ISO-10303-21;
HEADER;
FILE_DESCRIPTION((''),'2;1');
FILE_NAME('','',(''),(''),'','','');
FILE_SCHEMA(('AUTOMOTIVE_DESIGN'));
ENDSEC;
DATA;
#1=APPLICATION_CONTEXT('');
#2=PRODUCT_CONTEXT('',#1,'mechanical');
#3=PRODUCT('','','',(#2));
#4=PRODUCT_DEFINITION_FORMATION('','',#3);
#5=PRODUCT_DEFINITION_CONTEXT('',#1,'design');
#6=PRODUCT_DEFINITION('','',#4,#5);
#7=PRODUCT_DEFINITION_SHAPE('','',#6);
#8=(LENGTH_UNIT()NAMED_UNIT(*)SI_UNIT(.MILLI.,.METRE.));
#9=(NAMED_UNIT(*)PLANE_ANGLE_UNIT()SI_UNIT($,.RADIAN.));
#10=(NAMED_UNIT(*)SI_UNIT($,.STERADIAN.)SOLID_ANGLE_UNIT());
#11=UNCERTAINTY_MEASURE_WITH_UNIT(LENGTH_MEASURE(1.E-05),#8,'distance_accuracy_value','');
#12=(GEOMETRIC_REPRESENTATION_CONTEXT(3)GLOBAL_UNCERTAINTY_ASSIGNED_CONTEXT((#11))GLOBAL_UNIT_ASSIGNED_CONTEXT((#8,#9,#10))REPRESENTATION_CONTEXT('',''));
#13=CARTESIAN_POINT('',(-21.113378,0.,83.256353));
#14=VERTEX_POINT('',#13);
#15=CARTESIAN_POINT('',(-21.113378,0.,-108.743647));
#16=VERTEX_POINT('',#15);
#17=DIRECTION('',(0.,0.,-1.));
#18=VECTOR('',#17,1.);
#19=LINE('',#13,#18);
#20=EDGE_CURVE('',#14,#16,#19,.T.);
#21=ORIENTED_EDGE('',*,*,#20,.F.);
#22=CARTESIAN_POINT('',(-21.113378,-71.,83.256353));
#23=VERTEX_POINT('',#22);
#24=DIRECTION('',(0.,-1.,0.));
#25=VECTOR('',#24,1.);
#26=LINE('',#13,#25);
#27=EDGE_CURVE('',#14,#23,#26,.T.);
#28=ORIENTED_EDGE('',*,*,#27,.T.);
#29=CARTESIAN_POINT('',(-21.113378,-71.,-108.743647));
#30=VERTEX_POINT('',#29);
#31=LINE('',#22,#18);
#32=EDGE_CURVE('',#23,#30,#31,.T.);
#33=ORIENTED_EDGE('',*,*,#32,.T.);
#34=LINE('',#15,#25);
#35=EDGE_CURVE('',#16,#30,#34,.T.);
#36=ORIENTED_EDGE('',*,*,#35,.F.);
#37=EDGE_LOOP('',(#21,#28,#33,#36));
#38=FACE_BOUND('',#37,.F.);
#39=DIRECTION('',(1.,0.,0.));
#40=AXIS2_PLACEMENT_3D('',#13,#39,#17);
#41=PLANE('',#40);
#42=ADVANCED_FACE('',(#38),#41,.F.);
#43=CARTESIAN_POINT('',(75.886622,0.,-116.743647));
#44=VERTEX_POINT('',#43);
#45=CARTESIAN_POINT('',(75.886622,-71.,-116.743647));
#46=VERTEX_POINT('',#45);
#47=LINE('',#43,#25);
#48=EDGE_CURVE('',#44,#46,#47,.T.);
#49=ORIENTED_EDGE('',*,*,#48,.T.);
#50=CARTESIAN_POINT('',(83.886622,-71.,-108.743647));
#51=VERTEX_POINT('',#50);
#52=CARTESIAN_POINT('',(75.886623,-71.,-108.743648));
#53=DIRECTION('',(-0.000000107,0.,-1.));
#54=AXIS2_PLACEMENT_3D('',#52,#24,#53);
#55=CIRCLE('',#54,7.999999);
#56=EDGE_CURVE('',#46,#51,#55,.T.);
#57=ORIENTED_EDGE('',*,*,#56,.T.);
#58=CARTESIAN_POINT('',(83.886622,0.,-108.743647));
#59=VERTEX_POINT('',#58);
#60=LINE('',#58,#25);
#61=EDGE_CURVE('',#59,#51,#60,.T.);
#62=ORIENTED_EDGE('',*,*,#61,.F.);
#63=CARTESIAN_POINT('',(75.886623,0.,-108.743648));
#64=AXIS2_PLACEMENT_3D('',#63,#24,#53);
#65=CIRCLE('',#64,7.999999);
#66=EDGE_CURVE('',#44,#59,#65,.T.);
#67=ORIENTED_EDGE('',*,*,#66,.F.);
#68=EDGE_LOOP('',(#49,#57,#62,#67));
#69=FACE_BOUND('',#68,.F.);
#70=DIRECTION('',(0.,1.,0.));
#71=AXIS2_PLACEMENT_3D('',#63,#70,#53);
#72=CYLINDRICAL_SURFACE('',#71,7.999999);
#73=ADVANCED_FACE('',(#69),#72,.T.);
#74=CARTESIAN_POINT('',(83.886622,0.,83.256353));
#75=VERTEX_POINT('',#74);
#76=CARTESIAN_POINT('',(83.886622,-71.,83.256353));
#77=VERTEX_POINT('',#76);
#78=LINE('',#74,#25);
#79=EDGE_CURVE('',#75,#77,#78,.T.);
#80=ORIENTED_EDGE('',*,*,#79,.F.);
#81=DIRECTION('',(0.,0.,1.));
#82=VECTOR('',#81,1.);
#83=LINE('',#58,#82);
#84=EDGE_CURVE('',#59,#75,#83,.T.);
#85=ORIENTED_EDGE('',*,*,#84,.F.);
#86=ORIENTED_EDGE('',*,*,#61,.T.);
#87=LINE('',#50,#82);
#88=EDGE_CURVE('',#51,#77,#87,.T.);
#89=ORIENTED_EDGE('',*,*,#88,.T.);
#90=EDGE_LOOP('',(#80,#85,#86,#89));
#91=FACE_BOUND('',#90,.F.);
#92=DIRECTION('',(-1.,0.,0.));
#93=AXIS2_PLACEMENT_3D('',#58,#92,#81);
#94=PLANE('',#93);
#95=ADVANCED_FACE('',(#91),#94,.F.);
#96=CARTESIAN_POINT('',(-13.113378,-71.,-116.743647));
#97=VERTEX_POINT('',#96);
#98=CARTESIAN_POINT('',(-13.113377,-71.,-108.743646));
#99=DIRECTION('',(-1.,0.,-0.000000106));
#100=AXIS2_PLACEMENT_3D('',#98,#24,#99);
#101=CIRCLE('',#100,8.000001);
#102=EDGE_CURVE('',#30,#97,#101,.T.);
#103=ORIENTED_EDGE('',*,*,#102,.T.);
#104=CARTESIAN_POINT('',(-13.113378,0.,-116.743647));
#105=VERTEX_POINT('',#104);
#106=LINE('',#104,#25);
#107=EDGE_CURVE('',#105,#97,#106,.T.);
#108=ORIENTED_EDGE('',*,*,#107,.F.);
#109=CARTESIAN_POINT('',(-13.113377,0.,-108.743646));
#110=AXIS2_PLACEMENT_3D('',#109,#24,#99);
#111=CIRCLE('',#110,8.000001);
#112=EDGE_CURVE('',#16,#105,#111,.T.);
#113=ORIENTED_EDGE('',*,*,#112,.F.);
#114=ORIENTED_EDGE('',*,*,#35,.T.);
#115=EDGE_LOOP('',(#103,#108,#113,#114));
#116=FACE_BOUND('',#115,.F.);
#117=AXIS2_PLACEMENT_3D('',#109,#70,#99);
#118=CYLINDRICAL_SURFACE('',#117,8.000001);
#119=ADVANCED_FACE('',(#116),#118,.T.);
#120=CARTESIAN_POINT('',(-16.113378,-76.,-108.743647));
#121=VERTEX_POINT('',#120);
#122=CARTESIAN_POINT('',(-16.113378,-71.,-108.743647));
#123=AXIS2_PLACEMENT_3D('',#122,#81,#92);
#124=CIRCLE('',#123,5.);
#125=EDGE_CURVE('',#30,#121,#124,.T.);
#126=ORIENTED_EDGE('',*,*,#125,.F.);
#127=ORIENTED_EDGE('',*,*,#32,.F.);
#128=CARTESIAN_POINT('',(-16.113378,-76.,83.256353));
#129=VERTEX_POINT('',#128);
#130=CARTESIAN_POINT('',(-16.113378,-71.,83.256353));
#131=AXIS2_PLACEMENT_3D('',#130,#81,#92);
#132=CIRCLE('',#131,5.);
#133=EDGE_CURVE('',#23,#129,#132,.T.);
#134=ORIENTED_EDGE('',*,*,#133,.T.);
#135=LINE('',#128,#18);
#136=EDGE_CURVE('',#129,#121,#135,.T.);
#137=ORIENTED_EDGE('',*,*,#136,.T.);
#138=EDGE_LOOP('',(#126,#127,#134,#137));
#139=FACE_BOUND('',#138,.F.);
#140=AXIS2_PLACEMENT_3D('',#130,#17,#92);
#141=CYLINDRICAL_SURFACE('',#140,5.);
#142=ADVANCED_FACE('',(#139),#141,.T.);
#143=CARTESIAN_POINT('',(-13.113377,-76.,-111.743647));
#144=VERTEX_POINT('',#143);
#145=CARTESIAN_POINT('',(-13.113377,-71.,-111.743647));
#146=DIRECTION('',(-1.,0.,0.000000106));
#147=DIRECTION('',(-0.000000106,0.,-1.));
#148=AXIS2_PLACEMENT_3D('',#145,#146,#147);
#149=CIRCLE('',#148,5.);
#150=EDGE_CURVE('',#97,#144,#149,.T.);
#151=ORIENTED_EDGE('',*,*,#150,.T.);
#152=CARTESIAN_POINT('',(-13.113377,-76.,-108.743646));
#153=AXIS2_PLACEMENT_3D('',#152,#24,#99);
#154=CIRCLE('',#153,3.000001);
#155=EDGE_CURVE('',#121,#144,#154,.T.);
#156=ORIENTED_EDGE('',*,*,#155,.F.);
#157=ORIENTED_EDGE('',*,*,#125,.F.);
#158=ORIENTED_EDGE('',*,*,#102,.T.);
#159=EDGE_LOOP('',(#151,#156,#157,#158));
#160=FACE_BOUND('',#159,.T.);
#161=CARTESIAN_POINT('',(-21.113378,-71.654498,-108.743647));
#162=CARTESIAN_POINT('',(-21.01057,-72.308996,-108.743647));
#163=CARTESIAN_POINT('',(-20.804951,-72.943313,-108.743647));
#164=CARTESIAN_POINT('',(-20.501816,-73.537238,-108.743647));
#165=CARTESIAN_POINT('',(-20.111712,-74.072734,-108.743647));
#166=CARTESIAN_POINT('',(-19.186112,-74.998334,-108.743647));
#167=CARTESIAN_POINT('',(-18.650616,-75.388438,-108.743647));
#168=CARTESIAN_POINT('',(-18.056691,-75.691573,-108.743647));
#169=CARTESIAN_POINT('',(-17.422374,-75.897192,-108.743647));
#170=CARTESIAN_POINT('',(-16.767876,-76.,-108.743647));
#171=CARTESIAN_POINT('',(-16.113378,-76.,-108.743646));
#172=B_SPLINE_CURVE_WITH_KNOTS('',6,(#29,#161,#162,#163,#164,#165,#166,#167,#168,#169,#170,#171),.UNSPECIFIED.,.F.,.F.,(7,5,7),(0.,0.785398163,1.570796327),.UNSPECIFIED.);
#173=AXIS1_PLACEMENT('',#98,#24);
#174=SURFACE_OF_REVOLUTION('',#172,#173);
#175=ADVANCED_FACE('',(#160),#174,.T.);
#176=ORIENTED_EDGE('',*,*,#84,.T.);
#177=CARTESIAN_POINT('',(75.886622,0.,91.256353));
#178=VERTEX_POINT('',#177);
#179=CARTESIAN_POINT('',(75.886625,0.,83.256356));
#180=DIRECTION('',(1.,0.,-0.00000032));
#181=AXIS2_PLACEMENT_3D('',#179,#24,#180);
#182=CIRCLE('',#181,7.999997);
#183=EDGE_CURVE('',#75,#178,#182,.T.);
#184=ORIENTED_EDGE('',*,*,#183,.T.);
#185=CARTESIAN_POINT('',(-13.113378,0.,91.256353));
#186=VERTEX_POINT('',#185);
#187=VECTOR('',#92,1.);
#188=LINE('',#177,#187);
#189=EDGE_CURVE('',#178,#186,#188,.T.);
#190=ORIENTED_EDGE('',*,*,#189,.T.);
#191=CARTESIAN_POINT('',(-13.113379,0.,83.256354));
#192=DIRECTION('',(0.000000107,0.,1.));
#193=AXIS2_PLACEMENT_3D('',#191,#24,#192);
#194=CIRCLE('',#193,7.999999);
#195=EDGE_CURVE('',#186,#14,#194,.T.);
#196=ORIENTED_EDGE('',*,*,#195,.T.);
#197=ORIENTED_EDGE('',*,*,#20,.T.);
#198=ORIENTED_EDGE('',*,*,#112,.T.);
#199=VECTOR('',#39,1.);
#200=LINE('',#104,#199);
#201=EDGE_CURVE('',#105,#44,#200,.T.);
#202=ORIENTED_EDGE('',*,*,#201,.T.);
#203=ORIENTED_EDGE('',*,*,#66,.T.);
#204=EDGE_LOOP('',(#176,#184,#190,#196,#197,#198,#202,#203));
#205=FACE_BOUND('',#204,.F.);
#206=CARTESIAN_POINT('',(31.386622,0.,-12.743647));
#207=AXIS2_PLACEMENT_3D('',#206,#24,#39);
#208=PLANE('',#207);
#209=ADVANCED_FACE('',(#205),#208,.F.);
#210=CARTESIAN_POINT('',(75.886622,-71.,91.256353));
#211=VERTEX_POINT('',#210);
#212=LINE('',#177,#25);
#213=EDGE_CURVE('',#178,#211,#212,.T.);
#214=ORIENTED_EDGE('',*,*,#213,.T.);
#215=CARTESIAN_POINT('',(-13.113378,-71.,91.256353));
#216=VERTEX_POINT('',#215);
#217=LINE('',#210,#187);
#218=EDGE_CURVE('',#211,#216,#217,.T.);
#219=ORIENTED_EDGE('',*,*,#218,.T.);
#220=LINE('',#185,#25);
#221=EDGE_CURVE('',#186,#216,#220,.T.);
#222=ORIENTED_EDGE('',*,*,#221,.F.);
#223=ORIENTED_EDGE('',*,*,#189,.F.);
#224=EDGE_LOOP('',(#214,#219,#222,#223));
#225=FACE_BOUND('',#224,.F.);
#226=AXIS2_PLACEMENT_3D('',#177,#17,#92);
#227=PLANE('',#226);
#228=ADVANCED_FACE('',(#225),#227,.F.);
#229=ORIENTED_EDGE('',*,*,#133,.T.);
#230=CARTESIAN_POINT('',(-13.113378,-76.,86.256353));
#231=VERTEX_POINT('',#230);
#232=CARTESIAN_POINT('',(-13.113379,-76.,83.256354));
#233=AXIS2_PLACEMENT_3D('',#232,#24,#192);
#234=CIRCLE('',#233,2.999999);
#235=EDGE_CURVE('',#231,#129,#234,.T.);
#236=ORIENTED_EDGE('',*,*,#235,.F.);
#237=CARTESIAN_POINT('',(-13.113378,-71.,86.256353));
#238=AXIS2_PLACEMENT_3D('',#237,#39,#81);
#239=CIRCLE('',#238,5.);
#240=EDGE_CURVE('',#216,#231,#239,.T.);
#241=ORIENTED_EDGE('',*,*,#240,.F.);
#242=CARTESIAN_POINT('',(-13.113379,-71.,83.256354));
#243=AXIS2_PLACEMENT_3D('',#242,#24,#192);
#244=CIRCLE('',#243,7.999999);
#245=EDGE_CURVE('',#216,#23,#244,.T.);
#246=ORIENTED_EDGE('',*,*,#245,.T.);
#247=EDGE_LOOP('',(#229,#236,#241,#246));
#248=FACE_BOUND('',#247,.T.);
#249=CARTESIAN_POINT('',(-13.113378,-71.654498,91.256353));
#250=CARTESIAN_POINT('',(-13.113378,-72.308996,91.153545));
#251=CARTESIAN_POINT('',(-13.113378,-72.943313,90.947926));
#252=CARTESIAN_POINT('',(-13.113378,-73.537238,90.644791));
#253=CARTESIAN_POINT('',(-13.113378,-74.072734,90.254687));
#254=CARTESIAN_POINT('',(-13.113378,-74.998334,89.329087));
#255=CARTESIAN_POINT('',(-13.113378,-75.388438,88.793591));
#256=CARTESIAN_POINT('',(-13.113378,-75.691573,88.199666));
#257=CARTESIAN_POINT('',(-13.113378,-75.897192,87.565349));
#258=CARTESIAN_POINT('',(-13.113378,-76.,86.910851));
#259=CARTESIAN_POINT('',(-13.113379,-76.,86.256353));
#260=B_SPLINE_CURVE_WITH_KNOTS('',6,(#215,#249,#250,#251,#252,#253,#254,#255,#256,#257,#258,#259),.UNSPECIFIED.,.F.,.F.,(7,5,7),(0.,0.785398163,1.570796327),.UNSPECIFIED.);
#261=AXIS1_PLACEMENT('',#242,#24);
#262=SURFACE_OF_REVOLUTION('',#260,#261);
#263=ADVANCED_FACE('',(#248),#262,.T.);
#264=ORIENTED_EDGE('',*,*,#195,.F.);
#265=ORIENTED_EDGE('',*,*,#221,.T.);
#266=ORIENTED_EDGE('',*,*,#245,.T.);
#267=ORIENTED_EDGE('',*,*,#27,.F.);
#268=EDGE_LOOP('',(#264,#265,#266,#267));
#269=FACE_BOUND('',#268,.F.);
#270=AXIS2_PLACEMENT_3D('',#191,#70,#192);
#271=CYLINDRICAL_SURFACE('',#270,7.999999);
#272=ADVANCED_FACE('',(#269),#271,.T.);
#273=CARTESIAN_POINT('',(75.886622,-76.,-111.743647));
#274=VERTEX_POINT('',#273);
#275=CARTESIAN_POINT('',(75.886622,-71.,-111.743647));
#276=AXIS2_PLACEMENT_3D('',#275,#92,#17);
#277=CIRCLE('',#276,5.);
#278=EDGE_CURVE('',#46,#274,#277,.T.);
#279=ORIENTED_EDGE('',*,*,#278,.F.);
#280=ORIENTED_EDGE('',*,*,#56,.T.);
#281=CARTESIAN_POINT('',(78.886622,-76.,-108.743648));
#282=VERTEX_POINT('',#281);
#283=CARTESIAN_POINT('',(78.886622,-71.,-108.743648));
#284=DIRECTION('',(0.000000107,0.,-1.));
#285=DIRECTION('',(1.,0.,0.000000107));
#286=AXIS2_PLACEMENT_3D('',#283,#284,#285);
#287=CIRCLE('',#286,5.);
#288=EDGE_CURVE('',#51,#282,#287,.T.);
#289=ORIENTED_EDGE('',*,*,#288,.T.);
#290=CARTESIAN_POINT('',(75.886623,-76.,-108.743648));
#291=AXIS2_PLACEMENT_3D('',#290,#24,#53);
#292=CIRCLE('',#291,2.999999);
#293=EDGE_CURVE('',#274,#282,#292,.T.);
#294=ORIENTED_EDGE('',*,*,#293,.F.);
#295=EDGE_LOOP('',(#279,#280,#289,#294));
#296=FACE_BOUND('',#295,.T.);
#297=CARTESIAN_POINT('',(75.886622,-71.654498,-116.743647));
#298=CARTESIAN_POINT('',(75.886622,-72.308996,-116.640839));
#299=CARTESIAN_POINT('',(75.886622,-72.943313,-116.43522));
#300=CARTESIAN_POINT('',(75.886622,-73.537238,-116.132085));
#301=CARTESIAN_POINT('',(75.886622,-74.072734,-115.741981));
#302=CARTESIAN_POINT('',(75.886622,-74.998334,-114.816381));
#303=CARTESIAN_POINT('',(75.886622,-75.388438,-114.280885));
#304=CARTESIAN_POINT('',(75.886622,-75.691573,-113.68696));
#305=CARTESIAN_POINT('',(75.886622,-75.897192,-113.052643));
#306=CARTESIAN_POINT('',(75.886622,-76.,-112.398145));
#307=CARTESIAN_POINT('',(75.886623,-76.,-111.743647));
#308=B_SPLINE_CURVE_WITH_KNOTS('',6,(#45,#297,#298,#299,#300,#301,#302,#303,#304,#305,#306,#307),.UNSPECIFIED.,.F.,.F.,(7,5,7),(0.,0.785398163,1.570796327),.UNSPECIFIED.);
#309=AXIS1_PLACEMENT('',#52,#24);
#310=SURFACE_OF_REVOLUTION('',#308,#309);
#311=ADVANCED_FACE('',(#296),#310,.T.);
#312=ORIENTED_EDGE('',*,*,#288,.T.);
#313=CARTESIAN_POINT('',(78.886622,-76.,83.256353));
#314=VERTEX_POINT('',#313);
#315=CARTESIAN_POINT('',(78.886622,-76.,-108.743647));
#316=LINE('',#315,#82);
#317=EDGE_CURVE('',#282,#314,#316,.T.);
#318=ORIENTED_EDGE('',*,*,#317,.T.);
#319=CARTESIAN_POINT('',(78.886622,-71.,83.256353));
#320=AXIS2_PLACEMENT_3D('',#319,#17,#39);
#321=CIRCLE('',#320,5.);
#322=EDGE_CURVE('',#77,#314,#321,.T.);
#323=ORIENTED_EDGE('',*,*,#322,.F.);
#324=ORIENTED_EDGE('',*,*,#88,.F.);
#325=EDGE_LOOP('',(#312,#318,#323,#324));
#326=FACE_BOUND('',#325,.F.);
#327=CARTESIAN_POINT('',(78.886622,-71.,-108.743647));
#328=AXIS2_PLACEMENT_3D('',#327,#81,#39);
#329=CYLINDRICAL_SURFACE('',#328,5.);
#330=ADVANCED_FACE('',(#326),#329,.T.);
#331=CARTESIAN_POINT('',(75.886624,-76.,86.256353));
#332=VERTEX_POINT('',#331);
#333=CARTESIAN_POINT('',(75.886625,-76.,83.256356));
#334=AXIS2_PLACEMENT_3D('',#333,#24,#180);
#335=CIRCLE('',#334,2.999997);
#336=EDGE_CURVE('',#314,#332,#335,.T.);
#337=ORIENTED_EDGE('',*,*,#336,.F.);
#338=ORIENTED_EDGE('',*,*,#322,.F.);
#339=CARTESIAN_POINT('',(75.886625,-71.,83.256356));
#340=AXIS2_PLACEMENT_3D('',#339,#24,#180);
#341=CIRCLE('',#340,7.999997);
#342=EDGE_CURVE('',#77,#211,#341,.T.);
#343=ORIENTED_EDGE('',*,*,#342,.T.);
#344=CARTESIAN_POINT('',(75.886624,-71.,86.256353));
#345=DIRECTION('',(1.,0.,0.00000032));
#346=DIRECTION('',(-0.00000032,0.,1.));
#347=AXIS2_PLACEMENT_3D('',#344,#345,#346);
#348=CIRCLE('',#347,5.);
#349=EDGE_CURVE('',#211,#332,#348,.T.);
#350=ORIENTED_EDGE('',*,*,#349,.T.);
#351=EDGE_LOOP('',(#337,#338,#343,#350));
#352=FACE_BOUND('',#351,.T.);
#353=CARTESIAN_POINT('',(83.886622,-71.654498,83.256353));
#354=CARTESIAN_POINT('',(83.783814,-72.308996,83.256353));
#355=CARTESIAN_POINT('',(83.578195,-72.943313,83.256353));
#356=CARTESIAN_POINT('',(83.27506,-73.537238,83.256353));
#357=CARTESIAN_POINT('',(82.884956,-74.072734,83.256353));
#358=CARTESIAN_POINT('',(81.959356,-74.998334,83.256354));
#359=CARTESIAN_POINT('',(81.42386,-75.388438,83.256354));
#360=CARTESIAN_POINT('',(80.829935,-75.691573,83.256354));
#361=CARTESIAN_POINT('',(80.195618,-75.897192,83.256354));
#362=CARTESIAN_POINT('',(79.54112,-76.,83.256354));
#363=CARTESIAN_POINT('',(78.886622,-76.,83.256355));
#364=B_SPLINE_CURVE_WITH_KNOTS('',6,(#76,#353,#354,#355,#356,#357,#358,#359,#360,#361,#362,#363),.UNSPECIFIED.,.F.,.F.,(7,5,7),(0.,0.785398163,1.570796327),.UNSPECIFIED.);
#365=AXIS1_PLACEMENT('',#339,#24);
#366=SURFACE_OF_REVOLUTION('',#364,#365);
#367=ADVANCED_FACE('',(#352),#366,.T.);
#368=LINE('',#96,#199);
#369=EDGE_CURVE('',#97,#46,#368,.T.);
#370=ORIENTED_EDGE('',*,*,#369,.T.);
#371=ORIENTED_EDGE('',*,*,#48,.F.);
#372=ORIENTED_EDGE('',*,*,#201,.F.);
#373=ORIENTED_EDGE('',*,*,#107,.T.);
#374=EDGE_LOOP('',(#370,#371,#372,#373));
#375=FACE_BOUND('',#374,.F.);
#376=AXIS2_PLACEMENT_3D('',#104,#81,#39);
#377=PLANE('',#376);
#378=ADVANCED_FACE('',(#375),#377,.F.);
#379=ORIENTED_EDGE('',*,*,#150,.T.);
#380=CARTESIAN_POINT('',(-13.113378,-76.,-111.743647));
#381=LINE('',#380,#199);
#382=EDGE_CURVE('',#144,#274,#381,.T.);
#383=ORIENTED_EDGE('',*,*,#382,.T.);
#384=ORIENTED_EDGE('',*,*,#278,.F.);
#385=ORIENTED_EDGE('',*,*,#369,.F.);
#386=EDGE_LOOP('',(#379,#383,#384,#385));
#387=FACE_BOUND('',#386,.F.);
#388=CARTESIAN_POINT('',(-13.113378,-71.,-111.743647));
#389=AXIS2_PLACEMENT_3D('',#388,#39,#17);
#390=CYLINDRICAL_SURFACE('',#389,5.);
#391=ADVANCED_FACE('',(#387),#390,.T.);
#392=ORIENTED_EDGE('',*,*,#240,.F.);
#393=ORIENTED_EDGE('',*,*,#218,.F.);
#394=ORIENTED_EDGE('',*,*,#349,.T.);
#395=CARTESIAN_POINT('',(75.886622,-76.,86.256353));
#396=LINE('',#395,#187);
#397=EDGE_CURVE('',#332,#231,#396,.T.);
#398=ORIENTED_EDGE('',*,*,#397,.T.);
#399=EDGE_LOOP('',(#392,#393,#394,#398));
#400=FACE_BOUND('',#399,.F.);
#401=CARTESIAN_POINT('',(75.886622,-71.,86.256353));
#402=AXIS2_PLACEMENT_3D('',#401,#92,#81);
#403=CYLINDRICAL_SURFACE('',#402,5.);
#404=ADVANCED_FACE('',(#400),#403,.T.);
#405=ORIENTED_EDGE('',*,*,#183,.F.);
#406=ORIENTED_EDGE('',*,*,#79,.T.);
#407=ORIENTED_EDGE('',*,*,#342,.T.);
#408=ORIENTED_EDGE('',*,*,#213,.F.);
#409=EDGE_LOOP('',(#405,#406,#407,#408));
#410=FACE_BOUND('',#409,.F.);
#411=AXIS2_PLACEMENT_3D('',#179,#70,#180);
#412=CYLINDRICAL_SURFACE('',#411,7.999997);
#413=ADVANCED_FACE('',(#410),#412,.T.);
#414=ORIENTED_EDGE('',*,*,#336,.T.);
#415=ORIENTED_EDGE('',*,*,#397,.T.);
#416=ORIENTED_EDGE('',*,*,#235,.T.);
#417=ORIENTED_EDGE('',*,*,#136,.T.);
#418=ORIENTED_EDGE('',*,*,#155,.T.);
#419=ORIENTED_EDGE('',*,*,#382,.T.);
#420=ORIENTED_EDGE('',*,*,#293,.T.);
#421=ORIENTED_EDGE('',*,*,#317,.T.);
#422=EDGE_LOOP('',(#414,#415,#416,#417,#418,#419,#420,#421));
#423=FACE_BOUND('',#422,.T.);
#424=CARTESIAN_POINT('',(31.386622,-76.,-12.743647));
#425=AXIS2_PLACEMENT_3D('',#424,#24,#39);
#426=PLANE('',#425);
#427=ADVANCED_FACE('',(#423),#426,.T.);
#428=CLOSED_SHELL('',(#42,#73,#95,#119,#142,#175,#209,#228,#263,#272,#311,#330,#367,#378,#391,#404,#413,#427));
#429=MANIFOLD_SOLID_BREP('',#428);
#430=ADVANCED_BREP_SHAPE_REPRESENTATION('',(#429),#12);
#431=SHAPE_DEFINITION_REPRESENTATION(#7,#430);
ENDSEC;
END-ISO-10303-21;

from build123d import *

# Parameters (mm, degrees)
F1_DEPTH = 76
F2_R     = 5


with BuildPart() as f1:
    # F0 (on Front) → F1 (new body)
    with BuildSketch(Plane.XZ):
        with BuildLine():
            Line((75.886622, 91.256353), (-13.113378, 91.256353))
            ThreePointArc((-13.113378, 91.256353), (-18.770232, 88.913208), (-21.113378, 83.256353))
            Line((-21.113378, 83.256353), (-21.113378, -108.743647))
            ThreePointArc((-21.113378, -108.743647), (-18.770232, -114.400501), (-13.113378, -116.743647))
            Line((-13.113378, -116.743647), (75.886622, -116.743647))
            ThreePointArc((75.886622, -116.743647), (81.543477, -114.400501), (83.886622, -108.743647))
            Line((83.886622, -108.743647), (83.886622, 83.256353))
            ThreePointArc((83.886622, 83.256353), (81.543477, 88.913208), (75.886622, 91.256353))
        make_face()
    extrude(amount=F1_DEPTH)

    # F2
    f2_edges = [f1.edges().sort_by_distance(p)[0] for p in [
        (-21.113378, -76, -12.743647),
    ]]
    fillet(f2_edges, radius=F2_R)


solid = f1.part
